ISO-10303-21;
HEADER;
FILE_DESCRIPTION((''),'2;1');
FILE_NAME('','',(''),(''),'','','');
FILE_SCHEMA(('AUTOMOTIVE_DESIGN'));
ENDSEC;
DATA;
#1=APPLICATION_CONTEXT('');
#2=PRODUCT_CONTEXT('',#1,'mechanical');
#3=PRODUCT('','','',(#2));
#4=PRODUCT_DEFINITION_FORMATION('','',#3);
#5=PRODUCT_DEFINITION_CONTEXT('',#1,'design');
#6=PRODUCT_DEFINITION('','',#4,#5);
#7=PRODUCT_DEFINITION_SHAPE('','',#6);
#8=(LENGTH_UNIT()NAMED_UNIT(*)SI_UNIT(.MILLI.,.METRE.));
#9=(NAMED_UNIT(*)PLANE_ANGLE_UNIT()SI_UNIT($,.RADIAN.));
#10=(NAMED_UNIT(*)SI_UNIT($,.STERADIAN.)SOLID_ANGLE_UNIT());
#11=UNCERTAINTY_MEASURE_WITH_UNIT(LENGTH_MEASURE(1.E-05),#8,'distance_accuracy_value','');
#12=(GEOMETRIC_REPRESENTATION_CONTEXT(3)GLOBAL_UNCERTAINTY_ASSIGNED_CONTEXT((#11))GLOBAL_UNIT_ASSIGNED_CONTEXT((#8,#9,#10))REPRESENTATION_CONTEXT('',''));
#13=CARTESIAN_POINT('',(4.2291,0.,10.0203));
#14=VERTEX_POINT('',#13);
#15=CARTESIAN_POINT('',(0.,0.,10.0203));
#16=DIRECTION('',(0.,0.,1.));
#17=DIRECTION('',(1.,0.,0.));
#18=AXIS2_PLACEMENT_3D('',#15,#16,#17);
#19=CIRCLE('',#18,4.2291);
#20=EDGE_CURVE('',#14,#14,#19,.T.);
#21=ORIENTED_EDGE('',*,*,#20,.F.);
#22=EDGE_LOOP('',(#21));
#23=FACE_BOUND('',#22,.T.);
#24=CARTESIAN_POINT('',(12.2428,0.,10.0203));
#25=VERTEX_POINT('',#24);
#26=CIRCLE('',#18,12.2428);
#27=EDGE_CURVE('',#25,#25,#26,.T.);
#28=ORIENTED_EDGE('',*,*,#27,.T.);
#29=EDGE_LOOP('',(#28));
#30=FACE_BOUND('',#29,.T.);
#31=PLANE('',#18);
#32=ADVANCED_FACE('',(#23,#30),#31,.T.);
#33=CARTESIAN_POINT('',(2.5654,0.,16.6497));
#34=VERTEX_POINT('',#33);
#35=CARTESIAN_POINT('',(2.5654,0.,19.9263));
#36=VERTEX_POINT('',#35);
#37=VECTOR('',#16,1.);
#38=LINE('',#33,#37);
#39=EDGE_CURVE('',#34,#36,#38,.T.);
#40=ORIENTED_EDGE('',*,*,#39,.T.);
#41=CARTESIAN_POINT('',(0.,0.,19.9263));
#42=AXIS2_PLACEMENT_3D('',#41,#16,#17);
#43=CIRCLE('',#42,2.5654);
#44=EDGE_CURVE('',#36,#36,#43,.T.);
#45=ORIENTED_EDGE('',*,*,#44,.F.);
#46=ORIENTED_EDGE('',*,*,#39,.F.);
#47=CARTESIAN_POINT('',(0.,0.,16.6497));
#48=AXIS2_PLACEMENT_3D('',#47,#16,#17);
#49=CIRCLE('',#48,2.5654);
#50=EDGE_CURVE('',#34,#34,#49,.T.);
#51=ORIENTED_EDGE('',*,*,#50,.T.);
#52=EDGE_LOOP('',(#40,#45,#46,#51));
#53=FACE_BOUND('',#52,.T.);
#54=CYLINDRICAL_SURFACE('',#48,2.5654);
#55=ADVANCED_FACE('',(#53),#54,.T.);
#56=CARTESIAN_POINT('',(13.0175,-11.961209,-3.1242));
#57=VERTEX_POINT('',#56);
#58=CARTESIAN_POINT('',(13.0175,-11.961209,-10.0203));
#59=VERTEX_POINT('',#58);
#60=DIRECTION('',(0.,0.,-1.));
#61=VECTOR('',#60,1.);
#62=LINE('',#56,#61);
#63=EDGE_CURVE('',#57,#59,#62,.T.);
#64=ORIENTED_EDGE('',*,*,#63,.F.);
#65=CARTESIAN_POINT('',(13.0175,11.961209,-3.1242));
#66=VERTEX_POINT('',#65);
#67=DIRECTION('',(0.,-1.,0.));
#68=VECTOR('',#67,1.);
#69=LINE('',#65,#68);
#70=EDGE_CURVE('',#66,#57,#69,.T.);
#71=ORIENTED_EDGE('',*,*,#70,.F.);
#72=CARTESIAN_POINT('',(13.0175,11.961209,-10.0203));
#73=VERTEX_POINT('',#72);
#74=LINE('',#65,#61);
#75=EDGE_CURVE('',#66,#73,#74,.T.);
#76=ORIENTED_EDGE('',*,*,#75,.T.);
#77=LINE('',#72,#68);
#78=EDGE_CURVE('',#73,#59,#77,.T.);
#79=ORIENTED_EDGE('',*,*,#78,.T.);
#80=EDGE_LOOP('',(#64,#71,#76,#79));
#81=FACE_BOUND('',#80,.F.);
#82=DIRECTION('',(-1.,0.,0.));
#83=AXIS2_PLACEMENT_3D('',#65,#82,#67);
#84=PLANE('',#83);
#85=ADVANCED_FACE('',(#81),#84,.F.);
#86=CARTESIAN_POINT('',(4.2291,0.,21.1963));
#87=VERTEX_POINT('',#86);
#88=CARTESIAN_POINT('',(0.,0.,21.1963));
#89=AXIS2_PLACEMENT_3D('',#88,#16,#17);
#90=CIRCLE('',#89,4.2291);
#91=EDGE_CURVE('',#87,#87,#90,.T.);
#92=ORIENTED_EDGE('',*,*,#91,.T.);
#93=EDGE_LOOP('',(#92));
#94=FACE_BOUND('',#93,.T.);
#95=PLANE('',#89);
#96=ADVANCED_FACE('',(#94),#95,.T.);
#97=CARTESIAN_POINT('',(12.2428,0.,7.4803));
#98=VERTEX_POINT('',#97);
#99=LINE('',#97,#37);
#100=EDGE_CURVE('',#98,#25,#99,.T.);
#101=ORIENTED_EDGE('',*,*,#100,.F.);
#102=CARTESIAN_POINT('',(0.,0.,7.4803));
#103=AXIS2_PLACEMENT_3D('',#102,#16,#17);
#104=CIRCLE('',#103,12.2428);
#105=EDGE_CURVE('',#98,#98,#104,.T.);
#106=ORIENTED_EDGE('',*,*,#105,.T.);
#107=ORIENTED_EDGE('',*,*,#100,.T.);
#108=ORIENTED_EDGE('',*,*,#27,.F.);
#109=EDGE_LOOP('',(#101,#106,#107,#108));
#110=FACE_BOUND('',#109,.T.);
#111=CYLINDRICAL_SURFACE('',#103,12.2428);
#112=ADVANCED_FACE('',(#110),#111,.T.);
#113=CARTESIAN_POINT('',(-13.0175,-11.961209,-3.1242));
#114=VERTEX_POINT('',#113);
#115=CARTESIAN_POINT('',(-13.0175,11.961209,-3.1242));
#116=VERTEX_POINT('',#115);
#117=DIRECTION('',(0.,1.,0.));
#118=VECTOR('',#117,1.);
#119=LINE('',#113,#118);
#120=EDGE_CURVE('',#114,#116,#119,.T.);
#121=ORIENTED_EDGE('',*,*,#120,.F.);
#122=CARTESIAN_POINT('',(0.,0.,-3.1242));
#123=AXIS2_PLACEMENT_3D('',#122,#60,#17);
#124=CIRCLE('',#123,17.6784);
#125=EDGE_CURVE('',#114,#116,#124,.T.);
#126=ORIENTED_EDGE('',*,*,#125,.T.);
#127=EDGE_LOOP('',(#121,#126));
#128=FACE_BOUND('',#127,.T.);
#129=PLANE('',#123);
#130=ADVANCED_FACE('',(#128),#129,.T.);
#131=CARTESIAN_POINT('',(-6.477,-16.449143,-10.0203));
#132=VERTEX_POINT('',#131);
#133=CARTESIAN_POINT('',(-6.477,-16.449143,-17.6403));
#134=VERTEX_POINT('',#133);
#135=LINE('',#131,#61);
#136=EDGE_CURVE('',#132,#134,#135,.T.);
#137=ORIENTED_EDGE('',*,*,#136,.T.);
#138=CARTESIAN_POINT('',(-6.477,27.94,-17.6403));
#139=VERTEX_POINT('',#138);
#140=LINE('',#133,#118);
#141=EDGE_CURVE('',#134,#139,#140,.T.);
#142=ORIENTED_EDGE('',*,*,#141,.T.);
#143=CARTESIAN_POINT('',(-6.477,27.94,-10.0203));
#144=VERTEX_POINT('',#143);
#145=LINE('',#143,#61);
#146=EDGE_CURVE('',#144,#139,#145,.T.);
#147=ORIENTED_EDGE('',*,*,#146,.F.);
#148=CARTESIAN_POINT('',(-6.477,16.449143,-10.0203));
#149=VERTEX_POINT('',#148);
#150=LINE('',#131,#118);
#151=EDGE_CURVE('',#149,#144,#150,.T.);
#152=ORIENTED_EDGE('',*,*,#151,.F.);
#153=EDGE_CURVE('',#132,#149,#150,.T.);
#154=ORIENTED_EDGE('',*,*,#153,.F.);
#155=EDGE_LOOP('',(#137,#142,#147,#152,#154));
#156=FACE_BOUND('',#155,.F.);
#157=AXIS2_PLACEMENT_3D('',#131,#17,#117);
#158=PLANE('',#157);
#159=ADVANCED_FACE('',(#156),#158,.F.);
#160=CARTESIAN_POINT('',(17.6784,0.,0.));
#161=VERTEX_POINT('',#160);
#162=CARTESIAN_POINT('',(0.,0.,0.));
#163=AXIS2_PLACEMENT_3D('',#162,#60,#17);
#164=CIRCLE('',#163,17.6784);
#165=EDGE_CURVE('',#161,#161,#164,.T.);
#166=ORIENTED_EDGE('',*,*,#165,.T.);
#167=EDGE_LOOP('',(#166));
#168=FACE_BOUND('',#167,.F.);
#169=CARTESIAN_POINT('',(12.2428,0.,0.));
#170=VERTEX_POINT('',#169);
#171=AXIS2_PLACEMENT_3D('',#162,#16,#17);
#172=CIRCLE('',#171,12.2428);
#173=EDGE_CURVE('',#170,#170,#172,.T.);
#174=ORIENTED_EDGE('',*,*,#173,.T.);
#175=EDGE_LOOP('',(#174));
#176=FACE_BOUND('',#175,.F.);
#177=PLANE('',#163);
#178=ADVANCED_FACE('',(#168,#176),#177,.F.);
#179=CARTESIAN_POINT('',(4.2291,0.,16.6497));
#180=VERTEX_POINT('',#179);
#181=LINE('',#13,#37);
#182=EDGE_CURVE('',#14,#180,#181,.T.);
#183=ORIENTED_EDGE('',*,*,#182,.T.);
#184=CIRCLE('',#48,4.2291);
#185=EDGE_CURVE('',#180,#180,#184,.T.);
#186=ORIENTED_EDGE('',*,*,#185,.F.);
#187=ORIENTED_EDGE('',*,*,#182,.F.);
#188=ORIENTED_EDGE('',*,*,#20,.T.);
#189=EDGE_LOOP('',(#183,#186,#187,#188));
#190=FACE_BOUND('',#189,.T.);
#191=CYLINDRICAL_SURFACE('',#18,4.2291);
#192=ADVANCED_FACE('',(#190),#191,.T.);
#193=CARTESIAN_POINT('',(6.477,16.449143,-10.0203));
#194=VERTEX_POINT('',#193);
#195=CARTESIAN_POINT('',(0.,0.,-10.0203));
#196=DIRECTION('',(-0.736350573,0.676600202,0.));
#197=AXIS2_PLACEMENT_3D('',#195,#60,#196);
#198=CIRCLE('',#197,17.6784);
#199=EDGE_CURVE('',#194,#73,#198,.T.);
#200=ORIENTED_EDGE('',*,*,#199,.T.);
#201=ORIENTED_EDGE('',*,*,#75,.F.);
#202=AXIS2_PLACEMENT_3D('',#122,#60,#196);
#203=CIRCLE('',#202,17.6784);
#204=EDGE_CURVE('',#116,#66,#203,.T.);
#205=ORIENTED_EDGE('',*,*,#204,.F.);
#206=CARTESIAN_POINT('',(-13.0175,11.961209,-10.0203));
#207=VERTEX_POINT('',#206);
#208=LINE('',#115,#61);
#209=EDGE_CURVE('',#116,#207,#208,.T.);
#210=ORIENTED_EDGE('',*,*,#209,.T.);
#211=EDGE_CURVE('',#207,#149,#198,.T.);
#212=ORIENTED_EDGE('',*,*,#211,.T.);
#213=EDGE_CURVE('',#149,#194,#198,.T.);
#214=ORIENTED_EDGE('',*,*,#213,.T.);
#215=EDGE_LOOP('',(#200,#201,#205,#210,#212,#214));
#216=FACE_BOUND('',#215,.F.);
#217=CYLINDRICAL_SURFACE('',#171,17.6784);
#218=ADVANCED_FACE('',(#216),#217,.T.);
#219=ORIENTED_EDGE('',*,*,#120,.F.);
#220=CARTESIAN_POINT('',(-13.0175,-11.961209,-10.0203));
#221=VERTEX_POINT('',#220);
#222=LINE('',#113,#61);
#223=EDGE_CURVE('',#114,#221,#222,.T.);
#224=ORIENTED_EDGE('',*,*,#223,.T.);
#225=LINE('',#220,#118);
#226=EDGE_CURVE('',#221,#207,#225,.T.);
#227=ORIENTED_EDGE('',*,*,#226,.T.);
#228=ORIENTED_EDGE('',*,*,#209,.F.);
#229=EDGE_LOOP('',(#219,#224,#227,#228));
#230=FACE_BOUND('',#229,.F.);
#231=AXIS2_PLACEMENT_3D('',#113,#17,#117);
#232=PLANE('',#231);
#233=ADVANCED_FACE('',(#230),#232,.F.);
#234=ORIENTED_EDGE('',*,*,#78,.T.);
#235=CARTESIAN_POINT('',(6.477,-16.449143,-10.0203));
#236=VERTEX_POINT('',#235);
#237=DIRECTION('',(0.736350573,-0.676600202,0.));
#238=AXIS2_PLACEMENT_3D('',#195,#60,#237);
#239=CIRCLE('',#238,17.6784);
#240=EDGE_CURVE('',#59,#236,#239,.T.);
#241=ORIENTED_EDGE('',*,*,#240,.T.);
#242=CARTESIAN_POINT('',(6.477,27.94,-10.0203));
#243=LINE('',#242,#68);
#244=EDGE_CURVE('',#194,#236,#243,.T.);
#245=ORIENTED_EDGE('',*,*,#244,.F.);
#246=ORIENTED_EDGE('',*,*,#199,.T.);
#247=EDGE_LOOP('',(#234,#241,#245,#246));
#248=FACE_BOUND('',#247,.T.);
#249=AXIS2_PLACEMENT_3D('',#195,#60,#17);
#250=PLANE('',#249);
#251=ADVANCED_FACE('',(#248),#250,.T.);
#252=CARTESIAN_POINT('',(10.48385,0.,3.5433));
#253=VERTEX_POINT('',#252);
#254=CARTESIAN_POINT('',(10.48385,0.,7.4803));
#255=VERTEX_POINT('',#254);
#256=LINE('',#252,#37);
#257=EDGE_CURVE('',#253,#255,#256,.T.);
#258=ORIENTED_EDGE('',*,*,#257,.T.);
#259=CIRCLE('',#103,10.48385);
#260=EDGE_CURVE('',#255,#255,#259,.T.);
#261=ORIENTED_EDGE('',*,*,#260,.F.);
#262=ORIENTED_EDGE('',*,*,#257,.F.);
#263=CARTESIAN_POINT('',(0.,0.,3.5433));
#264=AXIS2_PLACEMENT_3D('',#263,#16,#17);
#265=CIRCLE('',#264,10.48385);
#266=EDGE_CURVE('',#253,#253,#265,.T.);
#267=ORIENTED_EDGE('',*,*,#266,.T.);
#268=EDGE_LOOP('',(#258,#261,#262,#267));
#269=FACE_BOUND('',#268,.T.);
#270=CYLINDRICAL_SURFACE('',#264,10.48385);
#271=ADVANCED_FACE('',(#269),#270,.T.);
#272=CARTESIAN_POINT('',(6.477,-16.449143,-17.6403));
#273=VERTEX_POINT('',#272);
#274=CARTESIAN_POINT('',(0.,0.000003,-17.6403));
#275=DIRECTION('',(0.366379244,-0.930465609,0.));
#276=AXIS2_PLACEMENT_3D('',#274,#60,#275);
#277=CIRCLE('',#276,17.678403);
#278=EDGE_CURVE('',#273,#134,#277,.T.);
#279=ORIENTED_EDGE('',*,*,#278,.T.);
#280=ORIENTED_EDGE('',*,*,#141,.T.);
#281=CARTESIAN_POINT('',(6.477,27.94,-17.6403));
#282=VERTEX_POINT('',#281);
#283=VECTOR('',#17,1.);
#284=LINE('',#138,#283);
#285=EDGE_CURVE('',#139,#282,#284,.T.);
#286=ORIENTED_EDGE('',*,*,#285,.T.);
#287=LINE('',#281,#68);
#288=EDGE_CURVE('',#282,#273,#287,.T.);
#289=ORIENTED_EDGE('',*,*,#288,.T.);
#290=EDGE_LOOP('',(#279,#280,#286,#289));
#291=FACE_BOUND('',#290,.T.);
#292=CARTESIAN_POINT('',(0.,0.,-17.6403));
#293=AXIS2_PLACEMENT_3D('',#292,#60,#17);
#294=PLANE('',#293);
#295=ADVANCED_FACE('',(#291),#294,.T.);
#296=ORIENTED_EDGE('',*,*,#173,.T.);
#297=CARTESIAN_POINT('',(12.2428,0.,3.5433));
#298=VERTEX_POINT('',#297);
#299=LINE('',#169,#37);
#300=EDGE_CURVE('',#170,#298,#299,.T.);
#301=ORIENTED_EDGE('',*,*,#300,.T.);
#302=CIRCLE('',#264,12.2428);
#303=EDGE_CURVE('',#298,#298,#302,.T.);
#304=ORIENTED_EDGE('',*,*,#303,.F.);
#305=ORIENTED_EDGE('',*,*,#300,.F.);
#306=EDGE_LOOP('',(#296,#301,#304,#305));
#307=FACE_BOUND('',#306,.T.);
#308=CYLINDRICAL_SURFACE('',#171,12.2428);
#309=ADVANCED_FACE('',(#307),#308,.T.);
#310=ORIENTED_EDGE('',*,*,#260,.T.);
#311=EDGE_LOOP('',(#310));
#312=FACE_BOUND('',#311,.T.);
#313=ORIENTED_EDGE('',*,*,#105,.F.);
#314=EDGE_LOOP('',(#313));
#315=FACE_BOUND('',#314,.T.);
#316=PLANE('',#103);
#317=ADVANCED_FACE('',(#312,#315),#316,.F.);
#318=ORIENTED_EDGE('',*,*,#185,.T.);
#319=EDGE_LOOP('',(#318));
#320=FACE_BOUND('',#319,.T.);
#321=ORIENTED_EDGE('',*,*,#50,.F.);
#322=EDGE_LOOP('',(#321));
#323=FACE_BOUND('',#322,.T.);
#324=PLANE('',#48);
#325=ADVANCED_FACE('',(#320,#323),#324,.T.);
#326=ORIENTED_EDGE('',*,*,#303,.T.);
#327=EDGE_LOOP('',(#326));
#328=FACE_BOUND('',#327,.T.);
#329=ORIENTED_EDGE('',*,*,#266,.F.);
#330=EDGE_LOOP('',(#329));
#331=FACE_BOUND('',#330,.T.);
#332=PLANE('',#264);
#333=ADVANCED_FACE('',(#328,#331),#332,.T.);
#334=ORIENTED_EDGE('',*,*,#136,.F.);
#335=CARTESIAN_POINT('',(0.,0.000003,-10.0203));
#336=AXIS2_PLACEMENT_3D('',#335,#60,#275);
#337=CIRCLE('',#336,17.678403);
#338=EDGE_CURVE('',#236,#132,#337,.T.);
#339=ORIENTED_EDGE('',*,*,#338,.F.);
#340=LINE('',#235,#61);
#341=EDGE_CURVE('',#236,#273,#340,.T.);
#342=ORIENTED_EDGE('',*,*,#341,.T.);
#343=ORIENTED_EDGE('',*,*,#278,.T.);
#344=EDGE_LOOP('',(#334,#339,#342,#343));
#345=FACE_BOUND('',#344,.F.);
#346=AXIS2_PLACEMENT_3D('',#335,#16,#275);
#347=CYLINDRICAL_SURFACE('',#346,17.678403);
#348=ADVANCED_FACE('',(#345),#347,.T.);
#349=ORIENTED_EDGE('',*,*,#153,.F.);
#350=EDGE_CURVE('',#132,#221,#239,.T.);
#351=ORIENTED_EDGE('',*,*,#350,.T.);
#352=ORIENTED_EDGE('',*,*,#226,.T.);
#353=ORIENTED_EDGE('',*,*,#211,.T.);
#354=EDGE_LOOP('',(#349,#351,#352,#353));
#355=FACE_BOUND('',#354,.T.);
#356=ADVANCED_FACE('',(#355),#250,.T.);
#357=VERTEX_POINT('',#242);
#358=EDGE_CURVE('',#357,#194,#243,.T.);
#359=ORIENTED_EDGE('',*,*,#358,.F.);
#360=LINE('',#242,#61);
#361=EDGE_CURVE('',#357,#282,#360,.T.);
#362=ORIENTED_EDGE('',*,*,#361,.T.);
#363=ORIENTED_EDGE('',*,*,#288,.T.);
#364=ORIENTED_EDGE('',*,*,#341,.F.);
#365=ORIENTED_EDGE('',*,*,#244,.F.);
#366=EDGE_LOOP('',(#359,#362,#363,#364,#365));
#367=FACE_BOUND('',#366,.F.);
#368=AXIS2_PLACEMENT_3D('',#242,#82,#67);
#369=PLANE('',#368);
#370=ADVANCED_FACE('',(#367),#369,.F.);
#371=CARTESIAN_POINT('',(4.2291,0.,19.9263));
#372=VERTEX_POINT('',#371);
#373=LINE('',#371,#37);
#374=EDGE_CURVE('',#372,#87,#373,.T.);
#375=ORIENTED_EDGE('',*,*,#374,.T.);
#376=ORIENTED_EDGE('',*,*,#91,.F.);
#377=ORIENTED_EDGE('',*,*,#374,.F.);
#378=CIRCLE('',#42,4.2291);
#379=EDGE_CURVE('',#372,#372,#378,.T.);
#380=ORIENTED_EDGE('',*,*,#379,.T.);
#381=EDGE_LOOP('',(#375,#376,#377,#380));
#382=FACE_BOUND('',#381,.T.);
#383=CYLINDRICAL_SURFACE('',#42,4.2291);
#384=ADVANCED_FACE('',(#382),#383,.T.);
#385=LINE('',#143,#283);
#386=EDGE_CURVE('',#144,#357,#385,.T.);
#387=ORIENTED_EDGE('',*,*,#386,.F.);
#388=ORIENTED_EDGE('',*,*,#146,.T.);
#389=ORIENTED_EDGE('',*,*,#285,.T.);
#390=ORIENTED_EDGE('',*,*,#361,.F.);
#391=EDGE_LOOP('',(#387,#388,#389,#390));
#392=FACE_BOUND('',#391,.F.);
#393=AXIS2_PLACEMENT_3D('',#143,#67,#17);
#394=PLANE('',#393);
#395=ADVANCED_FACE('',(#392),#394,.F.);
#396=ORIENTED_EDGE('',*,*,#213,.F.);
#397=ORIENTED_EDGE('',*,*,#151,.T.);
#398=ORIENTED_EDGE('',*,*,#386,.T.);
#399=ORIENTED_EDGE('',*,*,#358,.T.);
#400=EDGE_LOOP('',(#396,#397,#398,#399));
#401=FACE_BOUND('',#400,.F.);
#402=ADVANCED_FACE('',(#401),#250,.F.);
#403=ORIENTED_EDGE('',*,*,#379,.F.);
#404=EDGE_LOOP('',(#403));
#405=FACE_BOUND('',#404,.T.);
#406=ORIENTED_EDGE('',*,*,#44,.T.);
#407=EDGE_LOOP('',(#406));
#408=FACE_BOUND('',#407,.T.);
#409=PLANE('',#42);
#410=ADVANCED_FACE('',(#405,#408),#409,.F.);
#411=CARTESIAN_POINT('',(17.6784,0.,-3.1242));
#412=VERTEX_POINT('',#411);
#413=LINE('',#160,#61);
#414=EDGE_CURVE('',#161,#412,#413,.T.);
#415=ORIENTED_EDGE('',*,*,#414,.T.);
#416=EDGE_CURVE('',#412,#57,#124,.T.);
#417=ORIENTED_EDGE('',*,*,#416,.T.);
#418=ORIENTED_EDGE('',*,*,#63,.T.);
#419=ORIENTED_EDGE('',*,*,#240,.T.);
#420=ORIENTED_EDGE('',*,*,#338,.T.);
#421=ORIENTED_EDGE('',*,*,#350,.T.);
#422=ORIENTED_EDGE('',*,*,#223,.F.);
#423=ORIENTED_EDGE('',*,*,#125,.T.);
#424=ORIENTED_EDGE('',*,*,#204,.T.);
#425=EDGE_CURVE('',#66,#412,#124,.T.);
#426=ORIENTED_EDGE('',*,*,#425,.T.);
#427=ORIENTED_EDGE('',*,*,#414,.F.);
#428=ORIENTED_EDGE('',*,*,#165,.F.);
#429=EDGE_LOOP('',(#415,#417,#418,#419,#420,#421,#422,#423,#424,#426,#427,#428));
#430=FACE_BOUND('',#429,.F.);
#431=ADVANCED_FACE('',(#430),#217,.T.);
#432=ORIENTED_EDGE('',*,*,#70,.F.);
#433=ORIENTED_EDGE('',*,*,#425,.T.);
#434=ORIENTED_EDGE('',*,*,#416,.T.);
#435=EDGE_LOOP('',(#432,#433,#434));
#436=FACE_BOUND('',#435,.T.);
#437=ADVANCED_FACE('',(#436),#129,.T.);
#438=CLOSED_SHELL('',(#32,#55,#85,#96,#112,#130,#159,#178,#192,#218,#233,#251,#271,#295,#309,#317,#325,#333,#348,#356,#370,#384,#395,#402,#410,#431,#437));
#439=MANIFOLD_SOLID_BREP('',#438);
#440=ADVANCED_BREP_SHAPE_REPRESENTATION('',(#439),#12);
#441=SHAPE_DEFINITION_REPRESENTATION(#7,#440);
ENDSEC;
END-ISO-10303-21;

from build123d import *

# Parameters (mm, degrees)
F2_R     = 17.6784
F3_DEPTH = 3.1242
F5_DEPTH = 6.8961
F7_DEPTH = 7.62


with BuildPart() as f1:
    # F0 (on Front) → F1 (revolve)
    with BuildSketch(Plane.XZ):
        Polygon((0, 21.1963), (0, 0), (12.2428, 0), (12.2428, 3.5433), (10.48385, 3.5433), (10.48385, 7.4803), (12.2428, 7.4803), (12.2428, 10.0203), (4.2291, 10.0203), (4.2291, 16.6497), (2.5654, 16.6497), (2.5654, 19.9263), (4.2291, 19.9263), (4.2291, 21.1963), align=None)
    revolve(axis=Axis((0, 0, 10.59815), (0, 0, 1)))

    # F2 (on face) → F3 (join)
    with BuildSketch(Plane(origin=(0, 0, 0), x_dir=(1, 0, 0), z_dir=(0, 0, -1))):
        Circle(F2_R)
    extrude(amount=F3_DEPTH)

    # F4 (on face) → F5 (join)
    with BuildSketch(Plane(origin=(0, 0, -3.1242), x_dir=(1, 0, 0), z_dir=(0, 0, -1))):
        with BuildLine():
            Line((-13.0175, 11.961209), (-13.0175, -11.961209))
            ThreePointArc((-13.0175, -11.961209), (0, -17.6784), (13.0175, -11.961209))
            Line((13.0175, -11.961209), (13.0175, 11.961209))
            ThreePointArc((13.0175, 11.961209), (0, 17.6784), (-13.0175, 11.961209))
        make_face()
    extrude(amount=F5_DEPTH)

    # F6 (on face) → F7 (join)
    with BuildSketch(Plane(origin=(0, 0, -10.0203), x_dir=(1, 0, 0), z_dir=(0, 0, -1))):
        with BuildLine():
            ThreePointArc((-6.477, -16.449143), (0, -17.6784), (6.477, -16.449143))
            Line((6.477, -16.449143), (6.477, 16.449143))
            ThreePointArc((6.477, 16.449143), (0, 17.6784), (-6.477, 16.449143))
            Line((-6.477, 16.449143), (-6.477, -16.449143))
        make_face()
        with BuildLine():
            Line((-6.477, -27.94), (6.477, -27.94))
            Line((6.477, -27.94), (6.477, -16.449143))
            ThreePointArc((6.477, -16.449143), (0, -17.6784), (-6.477, -16.449143))
            Line((-6.477, -16.449143), (-6.477, -27.94))
        make_face()
    extrude(amount=F7_DEPTH)


solid = f1.part
